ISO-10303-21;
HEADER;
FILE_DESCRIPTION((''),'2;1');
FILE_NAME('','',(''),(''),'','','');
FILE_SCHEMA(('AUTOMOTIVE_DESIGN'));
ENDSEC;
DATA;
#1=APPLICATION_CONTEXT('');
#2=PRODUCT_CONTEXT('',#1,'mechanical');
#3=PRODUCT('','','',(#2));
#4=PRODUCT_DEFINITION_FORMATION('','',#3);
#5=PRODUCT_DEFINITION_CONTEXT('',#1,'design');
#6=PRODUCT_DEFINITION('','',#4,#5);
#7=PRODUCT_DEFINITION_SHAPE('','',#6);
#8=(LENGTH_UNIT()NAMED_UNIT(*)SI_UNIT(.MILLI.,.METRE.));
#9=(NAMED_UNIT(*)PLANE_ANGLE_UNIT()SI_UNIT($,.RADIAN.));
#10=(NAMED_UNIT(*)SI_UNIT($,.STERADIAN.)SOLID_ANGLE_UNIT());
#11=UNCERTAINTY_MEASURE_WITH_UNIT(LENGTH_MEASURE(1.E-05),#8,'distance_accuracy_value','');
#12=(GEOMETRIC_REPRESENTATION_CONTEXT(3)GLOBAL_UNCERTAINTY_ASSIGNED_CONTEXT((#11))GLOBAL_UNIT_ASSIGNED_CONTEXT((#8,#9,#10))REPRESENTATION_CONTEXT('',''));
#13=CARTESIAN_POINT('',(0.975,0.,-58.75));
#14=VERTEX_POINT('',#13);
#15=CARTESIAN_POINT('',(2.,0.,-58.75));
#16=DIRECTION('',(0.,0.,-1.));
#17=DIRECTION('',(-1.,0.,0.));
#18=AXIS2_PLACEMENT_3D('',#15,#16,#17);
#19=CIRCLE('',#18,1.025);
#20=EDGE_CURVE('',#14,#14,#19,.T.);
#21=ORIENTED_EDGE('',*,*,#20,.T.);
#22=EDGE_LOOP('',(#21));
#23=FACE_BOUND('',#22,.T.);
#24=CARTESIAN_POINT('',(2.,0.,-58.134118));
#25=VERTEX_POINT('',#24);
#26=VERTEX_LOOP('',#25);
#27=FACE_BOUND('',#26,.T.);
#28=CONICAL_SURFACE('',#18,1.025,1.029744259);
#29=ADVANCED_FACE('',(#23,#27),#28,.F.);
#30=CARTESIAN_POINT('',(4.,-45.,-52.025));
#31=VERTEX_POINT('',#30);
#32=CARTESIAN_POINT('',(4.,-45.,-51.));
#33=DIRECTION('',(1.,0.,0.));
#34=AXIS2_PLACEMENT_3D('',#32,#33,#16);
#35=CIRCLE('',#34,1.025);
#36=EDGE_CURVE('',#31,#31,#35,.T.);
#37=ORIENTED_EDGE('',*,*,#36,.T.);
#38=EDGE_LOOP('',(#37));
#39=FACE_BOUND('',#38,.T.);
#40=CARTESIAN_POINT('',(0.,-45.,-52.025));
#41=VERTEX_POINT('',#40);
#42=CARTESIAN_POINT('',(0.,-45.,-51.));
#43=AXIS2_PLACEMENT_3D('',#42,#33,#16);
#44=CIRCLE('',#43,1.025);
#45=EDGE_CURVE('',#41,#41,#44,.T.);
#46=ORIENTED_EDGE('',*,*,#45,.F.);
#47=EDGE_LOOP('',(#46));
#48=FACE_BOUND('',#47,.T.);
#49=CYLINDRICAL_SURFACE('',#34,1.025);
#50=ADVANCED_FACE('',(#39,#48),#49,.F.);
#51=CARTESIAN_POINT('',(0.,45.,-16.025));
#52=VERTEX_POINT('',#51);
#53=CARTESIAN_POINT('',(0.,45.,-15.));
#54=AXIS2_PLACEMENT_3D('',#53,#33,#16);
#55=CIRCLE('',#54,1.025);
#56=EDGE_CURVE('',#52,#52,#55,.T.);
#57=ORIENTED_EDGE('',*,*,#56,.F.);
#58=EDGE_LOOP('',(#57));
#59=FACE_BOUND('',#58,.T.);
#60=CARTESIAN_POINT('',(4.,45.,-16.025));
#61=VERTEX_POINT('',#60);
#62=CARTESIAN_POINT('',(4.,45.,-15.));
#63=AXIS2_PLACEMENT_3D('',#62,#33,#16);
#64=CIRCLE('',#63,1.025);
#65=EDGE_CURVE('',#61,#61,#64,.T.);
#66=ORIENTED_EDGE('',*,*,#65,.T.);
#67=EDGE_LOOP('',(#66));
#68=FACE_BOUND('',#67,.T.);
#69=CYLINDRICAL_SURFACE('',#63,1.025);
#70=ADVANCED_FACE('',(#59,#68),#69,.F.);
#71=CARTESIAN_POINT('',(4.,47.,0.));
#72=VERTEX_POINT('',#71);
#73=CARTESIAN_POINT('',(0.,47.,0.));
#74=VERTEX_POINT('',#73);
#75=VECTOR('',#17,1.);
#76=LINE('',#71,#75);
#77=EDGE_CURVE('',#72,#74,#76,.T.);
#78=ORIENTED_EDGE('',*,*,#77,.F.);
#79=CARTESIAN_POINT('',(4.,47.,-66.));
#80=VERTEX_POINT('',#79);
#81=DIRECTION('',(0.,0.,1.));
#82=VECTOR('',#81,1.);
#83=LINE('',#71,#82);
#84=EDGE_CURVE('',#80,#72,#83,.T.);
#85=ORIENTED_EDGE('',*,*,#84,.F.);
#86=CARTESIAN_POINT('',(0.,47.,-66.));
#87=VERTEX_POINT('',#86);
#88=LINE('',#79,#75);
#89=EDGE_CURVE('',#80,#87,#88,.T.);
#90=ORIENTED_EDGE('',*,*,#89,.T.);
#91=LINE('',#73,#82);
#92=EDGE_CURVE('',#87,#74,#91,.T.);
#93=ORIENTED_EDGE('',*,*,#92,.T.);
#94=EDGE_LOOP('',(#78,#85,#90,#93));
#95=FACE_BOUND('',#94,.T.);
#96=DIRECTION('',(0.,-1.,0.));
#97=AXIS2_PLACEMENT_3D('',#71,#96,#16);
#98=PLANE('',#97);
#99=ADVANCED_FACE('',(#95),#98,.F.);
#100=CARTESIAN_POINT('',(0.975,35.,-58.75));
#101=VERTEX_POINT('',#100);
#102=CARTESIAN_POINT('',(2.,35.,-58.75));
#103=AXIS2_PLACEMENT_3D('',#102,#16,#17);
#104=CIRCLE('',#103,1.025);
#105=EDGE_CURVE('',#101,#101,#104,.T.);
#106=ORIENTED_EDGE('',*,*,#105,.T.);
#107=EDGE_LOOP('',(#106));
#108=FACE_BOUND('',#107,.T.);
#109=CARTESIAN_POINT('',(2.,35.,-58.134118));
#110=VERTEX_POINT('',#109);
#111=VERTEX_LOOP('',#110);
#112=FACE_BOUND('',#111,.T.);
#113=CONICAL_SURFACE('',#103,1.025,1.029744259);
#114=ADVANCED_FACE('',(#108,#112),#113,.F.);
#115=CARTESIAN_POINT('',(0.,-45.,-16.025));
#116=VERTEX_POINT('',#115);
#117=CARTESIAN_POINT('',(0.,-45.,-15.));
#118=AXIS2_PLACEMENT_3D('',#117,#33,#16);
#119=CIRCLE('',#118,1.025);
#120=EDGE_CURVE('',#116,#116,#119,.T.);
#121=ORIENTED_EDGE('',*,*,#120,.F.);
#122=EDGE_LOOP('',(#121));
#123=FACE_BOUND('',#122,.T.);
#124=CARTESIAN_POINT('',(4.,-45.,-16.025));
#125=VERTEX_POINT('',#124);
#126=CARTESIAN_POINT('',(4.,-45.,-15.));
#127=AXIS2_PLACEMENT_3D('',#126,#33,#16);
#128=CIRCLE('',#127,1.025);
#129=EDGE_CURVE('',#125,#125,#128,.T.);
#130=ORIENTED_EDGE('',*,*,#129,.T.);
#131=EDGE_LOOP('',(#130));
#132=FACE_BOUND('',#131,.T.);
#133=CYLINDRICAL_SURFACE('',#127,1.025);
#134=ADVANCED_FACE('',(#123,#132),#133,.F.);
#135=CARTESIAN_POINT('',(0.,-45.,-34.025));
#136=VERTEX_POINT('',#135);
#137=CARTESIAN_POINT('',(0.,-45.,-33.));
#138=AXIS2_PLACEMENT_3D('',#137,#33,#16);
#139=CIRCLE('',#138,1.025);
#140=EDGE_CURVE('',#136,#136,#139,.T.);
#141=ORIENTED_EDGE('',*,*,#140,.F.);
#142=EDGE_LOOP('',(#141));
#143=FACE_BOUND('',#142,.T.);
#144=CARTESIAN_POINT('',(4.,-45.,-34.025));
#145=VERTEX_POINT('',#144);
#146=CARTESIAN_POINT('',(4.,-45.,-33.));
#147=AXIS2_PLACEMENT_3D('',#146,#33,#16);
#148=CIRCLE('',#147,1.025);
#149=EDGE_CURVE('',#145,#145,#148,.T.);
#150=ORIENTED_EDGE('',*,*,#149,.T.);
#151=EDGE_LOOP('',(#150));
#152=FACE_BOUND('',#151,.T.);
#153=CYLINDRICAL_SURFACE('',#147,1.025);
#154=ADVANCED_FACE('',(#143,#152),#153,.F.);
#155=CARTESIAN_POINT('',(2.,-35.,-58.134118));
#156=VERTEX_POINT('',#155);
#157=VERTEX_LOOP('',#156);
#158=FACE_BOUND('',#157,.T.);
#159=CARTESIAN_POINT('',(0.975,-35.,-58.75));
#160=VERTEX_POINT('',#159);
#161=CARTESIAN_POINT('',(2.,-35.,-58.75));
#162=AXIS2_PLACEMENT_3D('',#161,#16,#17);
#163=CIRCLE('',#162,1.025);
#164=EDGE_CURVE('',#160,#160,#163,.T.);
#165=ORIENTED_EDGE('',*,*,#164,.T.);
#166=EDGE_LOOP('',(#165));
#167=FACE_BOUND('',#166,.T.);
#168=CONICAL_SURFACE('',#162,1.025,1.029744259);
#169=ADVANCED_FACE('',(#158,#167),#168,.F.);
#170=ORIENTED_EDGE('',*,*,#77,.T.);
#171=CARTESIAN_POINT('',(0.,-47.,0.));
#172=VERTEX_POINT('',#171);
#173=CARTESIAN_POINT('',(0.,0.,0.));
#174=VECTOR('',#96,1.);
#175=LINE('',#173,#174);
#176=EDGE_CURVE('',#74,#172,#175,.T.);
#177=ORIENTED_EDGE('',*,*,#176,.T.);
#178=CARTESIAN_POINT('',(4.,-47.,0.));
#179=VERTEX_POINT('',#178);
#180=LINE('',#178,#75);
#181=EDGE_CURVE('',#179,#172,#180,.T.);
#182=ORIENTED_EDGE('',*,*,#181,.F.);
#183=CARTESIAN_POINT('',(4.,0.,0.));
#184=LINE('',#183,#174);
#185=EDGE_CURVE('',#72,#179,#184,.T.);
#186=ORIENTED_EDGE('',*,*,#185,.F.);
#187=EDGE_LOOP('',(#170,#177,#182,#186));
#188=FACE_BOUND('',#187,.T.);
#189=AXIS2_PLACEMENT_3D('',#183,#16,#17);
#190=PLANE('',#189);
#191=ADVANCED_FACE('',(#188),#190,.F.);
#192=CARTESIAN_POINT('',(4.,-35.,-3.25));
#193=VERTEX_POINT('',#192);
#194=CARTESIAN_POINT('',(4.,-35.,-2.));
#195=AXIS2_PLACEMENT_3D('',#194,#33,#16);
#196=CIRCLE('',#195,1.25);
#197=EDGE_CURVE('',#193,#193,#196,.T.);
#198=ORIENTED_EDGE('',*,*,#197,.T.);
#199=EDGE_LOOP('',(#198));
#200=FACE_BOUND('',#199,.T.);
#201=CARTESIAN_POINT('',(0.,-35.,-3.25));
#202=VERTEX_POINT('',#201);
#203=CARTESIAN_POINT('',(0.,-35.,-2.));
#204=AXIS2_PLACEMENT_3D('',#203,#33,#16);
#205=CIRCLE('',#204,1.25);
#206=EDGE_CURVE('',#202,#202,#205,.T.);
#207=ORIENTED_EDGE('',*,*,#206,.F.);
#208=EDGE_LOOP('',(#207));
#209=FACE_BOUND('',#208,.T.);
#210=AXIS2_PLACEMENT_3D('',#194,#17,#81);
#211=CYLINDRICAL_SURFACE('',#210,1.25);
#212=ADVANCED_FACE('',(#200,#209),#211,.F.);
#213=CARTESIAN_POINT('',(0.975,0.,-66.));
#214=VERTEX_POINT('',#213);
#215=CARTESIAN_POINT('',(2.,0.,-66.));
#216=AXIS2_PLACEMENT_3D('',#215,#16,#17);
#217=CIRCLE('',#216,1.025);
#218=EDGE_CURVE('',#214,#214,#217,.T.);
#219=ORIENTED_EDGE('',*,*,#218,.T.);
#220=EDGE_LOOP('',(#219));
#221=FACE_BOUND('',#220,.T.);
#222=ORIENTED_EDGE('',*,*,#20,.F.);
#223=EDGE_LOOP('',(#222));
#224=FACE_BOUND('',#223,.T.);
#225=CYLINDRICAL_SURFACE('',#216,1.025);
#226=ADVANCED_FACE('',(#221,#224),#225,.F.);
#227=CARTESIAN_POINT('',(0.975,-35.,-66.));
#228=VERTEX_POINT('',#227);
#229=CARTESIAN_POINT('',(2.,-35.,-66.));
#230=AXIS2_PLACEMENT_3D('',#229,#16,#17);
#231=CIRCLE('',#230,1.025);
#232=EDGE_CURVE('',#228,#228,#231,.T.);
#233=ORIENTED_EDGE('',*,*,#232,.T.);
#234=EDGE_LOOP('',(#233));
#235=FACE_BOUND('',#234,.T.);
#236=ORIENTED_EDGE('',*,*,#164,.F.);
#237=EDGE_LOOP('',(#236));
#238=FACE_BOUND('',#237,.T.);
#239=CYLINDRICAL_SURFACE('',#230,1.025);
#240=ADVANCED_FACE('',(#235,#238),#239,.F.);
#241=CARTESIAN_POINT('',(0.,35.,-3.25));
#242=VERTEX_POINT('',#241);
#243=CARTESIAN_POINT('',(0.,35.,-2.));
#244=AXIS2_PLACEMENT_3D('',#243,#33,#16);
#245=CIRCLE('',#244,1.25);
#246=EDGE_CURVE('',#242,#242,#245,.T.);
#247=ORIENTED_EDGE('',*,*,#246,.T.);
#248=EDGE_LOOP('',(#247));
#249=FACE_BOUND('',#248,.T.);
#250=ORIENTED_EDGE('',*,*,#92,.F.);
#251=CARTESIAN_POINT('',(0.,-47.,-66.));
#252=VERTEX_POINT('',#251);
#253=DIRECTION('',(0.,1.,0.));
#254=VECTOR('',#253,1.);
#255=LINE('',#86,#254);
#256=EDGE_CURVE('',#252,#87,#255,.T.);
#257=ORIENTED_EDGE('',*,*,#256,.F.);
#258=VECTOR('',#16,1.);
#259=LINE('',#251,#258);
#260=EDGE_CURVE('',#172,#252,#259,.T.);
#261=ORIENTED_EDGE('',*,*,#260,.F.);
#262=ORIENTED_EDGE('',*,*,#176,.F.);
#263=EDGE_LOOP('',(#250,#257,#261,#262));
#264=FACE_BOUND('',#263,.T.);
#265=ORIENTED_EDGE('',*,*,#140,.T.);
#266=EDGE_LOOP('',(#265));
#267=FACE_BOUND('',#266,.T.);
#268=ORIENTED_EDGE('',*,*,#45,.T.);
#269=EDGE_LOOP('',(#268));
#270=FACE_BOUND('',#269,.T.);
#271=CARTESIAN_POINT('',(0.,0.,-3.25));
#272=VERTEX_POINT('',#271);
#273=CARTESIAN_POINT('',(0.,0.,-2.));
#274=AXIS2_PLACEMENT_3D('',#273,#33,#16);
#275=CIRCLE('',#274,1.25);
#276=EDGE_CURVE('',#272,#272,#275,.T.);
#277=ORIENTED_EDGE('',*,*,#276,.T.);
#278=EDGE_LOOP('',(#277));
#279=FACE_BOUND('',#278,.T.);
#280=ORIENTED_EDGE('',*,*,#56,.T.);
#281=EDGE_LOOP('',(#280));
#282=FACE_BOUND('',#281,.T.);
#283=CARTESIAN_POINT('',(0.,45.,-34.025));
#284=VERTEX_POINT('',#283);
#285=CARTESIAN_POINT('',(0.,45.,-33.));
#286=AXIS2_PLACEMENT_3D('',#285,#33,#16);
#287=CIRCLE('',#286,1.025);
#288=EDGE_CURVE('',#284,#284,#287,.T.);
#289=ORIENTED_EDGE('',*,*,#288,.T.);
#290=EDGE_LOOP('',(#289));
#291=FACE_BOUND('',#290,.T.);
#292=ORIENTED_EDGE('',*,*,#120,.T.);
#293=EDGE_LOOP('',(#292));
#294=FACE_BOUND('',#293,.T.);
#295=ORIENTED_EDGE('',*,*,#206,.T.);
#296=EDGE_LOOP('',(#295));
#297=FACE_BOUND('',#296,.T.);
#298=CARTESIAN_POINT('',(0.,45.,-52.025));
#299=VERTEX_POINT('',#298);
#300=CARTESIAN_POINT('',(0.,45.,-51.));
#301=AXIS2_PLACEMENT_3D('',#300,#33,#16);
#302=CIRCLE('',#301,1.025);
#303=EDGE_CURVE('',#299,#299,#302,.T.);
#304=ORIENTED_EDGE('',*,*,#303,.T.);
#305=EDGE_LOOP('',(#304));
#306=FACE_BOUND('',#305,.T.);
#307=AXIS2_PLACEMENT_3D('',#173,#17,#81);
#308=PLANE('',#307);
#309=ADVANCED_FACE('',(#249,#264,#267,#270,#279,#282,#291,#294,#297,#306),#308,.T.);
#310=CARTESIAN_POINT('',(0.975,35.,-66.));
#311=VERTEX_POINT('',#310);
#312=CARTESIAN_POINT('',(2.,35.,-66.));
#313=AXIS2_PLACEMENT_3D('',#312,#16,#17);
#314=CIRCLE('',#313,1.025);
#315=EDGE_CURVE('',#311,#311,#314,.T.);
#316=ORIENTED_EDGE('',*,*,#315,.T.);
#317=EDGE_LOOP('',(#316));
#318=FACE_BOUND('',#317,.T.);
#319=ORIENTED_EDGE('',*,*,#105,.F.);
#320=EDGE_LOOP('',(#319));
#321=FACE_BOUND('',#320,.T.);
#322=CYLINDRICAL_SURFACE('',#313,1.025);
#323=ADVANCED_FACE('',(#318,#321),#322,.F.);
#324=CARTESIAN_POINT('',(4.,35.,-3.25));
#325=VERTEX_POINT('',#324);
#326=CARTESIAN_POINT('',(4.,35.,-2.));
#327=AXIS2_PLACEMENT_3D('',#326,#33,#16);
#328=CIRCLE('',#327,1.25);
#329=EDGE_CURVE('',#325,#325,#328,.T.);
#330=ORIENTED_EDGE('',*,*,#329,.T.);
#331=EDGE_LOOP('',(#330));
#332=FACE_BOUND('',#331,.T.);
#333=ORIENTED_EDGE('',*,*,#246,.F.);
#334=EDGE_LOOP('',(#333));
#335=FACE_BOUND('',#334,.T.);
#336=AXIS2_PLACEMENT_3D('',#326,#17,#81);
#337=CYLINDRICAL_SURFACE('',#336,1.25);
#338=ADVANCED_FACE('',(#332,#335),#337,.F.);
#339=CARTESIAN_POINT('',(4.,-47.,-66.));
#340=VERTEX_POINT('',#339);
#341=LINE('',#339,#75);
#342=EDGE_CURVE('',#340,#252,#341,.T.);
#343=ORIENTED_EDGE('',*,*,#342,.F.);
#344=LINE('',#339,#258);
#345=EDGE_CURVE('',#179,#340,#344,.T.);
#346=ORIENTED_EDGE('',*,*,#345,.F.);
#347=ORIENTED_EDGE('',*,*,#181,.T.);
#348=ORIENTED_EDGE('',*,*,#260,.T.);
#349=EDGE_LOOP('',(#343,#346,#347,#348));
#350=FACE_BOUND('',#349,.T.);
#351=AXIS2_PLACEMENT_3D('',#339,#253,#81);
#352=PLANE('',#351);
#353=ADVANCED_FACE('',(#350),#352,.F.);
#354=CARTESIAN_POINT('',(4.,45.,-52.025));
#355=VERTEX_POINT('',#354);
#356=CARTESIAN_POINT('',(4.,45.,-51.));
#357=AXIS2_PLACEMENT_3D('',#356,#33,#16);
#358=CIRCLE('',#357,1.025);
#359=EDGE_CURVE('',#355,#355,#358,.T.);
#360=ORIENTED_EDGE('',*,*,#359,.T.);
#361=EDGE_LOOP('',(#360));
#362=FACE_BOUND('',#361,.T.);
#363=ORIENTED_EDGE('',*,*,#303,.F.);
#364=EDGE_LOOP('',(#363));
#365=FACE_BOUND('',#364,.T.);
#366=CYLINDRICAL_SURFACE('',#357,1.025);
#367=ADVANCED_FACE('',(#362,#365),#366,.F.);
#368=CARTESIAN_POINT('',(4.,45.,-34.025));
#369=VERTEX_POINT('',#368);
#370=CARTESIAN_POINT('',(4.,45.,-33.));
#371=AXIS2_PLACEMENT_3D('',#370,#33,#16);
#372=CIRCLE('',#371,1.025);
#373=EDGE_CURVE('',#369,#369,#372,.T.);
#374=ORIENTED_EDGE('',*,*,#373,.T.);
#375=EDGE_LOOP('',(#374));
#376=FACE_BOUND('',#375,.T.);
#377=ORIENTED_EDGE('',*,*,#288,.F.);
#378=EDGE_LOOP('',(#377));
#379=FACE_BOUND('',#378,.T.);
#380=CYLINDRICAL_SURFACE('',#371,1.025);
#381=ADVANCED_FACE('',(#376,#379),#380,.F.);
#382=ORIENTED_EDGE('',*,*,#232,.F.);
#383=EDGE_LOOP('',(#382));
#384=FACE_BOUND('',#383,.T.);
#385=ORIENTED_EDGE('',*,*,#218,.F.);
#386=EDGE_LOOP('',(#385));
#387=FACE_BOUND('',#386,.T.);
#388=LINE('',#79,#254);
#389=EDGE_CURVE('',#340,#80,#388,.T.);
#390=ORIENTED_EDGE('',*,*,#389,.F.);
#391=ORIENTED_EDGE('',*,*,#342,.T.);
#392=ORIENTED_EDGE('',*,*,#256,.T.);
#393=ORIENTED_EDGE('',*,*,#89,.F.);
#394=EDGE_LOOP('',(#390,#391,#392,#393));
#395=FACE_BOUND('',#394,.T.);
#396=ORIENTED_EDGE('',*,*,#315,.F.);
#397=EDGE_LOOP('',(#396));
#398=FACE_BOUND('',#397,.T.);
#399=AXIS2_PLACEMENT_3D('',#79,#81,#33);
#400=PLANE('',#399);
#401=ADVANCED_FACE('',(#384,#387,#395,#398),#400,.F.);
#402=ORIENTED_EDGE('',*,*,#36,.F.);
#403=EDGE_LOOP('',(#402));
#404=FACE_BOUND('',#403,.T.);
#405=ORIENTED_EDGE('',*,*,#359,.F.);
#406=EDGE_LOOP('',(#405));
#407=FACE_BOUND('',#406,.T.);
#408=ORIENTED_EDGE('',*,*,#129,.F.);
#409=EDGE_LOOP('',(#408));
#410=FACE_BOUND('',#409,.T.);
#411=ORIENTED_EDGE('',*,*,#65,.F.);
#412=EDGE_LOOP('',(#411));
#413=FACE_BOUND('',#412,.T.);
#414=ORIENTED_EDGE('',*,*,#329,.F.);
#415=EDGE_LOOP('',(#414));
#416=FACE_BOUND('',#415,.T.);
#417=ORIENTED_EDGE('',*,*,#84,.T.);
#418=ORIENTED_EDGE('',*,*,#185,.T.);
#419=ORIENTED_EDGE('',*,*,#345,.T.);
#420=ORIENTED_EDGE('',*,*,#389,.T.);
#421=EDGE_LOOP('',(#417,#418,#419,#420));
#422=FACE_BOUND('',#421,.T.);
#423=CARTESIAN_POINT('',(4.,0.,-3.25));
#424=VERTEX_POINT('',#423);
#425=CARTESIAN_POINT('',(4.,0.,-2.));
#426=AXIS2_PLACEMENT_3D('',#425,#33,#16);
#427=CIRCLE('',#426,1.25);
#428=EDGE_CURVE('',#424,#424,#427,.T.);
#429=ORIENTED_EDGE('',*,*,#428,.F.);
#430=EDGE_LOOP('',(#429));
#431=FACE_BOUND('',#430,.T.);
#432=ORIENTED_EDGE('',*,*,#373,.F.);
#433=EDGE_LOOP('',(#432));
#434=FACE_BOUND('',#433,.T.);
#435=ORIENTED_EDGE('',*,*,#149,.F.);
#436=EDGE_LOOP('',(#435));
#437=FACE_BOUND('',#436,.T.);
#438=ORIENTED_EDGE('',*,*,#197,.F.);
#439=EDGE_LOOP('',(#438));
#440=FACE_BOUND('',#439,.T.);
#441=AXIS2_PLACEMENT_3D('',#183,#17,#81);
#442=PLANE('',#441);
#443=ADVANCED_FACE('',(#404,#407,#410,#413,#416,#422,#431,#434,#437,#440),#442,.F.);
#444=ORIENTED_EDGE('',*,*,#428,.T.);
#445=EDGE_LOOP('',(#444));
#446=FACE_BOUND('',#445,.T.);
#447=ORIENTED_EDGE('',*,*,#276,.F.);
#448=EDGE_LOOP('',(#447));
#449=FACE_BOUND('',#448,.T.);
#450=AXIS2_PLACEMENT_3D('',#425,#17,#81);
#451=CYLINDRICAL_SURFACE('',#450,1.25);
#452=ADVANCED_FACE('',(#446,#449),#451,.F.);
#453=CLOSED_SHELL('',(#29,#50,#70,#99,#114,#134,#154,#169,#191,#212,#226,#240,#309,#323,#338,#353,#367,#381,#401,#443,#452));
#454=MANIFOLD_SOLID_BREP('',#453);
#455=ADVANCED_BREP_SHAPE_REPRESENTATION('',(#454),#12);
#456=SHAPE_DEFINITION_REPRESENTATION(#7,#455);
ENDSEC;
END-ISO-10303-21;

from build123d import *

# Parameters (mm, degrees)
SKETCH_1_R               = 1.25
EXTRUDE_1_DEPTH          = 4
HOLE_WIZARD_M2_5_1_D     = 2.05
HOLE_WIZARD_M2_5_2_D     = 2.05
HOLE_WIZARD_M2_5_2_DEPTH = 7.25
HOLE_WIZARD_M2_5_2_TIP   = 0.615882135


with BuildPart() as part:
    # 草图1 → 凸台-拉伸1 (new body)
    with BuildSketch(Plane(origin=(0, 0, 0), x_dir=(0, 0, -1), z_dir=(1, 0, 0))):
        Polygon((0, 0), (0, 47), (66, 47), (66, -47), (0, -47), align=None)
        with Locations((2, 0)):
            Circle(SKETCH_1_R, mode=Mode.SUBTRACT)
        with Locations((2, 35)):
            Circle(SKETCH_1_R, mode=Mode.SUBTRACT)
        with Locations((2, -35)):
            Circle(SKETCH_1_R, mode=Mode.SUBTRACT)
    extrude(amount=EXTRUDE_1_DEPTH)

    # M2.5 螺纹孔1 (through all)
    with Locations(Plane(origin=(4, 0, 0), x_dir=(0, 0, -1), z_dir=(1, 0, 0))):
        with Locations((15, 45), (51, 45), (15, -45), (51, -45), (33, -45), (33, 45)):
            Hole(HOLE_WIZARD_M2_5_1_D / 2)

    # M2.5 螺纹孔2
    with Locations(Plane(origin=(0, 0, -66), x_dir=(-1, 0, 0), z_dir=(0, 0, -1))):
        with Locations((-2, 35), (-2, 0), (-2, -35)):
            Hole(HOLE_WIZARD_M2_5_2_D / 2, depth=HOLE_WIZARD_M2_5_2_DEPTH)
            with Locations((0, 0, -(HOLE_WIZARD_M2_5_2_DEPTH + HOLE_WIZARD_M2_5_2_TIP / 2))):  # 118° drill point
                Cone(0, HOLE_WIZARD_M2_5_2_D / 2, HOLE_WIZARD_M2_5_2_TIP, mode=Mode.SUBTRACT)


solid = part.part
